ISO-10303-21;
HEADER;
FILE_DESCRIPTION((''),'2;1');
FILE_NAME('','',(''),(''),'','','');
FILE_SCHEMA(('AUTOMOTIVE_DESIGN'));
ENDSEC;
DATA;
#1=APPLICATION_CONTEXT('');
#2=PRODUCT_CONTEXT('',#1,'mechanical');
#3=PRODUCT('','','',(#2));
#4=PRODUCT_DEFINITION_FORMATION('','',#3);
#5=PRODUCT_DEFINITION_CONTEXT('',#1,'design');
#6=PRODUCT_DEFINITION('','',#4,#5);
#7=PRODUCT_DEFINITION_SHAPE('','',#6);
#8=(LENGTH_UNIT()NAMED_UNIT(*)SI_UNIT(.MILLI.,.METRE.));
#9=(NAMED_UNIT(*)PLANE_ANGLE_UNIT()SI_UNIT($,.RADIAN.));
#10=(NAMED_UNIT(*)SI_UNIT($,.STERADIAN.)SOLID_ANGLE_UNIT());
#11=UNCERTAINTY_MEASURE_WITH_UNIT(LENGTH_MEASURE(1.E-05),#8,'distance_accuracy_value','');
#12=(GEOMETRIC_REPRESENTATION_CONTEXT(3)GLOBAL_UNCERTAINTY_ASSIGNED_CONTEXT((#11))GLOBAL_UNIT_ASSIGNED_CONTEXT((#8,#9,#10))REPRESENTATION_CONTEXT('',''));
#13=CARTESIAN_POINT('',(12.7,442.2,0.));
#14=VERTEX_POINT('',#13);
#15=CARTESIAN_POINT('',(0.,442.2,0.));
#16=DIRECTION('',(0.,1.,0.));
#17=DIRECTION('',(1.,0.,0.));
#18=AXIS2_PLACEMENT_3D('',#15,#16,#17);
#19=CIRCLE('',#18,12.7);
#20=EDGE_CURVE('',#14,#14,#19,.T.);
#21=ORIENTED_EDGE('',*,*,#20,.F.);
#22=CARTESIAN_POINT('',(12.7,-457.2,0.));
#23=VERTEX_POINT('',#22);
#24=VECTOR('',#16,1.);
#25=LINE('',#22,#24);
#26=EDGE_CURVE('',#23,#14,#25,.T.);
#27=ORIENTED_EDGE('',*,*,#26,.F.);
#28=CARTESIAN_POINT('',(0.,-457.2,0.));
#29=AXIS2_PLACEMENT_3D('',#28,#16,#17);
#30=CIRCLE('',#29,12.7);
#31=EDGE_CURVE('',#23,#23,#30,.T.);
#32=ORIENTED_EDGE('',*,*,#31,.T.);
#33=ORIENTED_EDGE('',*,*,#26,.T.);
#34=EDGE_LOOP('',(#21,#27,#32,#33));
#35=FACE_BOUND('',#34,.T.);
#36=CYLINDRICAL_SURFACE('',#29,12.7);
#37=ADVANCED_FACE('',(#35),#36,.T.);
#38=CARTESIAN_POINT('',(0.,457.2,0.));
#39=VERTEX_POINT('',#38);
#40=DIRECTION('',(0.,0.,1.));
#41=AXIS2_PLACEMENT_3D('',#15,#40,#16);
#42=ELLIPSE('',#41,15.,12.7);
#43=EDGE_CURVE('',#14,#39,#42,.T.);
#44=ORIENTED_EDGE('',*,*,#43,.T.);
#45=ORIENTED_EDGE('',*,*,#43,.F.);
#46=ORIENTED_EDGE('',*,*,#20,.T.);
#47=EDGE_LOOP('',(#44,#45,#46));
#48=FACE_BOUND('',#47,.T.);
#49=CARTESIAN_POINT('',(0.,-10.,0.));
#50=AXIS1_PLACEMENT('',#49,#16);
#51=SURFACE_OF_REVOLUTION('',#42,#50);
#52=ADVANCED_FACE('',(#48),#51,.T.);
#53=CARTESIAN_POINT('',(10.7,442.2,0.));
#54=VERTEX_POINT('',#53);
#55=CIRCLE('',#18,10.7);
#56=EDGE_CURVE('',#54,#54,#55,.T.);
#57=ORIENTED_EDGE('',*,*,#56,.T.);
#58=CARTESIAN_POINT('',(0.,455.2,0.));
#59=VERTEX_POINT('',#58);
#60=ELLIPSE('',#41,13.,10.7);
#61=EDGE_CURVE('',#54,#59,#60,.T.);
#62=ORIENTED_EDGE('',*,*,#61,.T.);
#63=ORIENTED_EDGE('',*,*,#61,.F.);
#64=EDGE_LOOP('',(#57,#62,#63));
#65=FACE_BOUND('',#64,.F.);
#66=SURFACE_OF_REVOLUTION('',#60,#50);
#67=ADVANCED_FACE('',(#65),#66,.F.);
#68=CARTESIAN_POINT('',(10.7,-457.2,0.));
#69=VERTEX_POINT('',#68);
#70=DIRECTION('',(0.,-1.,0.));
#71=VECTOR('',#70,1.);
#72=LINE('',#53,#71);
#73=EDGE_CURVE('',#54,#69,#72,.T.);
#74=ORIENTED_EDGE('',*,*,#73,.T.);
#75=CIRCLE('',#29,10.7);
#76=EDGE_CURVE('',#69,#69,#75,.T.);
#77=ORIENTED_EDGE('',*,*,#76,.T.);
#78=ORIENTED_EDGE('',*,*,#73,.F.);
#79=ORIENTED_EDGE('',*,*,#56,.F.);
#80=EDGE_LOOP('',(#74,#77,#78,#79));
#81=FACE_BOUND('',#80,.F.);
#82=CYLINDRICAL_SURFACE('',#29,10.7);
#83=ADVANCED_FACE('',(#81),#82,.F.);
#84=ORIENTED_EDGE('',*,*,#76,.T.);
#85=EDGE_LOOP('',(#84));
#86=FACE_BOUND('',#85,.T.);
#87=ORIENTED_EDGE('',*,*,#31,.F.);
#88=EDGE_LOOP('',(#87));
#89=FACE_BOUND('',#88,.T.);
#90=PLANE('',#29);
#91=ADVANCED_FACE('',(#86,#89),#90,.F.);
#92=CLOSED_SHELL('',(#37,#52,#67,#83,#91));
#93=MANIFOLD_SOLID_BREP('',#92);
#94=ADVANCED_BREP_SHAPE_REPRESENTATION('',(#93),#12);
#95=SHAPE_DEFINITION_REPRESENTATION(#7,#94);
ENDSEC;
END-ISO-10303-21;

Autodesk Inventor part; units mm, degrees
ref_plane "YZ Plane" through (0, 0, 0) normal (1, 0, 0) x (0, 1, 0)
ref_plane "XZ Plane" through (0, 0, 0) normal (0, 1, 0) x (-1, 0, 0)
ref_plane "XY Plane" through (0, 0, 0) normal (0, 0, 1) x (1, 0, 0)
sketch "Sketch1" plane through (0, 0, 0) normal (0, 0, 1) x (1, 0, 0)
  line L0 (-12.7, -457.2) -> (12.7, -457.2)
  line L1 (12.7, -457.2) -> (12.7, 457.2)
  line L2 (12.7, 457.2) -> (-12.7, 457.2)
  line L3 (-12.7, 457.2) -> (-12.7, -457.2)
  line L4 (-12.7, -457.2) -> (12.7, 457.2) construction
  line L5 (12.7, -457.2) -> (-12.7, 457.2) construction
  ellipse E0 centre (0, 442.2) end of major axis (0, 457.2) minor radius 12.7
  line L6 (10.7, -457.2) -> (10.7, 442.2)
  line L7 (-10.7, 442.2) -> (-10.7, -457.2)
  line L8 (0, -644.74) -> (0, 668.0398) construction
  ellipse E1 centre (0, 442.2) end of major axis (10.7, 442.2) minor radius 13
  line L9 (0, 455.2) -> (0, 429.2)
  line L10 (0, 457.2) -> (0, 455.2)
  line L11 (-11.1125, 480.4999) -> (11.1125, 480.4999)
  line L12 (11.1125, 480.4999) -> (11.1125, 476.7557)
  line L13 (11.1125, 476.7557) -> (-11.1125, 476.7557)
  line L14 (-11.1125, 476.7557) -> (-11.1125, 480.4999)
  line L15 (-11.1125, 480.4999) -> (11.1125, 476.7557) construction
  line L16 (11.1125, 480.4999) -> (-11.1125, 476.7557) construction
  line L17 (-12.7, 476.0898) -> (12.7, 476.0898)
  line L18 (12.7, 476.0898) -> (12.7, 472.3457)
  line L19 (12.7, 472.3457) -> (-12.7, 472.3457)
  line L20 (-12.7, 472.3457) -> (-12.7, 476.0898)
  line L21 (-12.7, 476.0898) -> (12.7, 472.3457) construction
  line L22 (12.7, 476.0898) -> (-12.7, 472.3457) construction
  point P0 (0, 0)
  point P1 (12.7, 442.2)
  point P2 (0, 478.6278)
  point P3 (0, 474.2178)
  dimension "d0" = 25.4
  dimension "d1" = 914.4
  dimension "d2" = 15
  dimension "d4" = 2
  dimension "d5" = 2
  dimension "d7" = 22.225
  dimension "d8" = 25.4
revolve "Revolution1" add sketch "Sketch1" angle 360 about axis through (0, -10, 0) along (0, 1, 0) contours L6 E0 L1 L0 | E0 L6 E1 L10
properties part number "Blade"
